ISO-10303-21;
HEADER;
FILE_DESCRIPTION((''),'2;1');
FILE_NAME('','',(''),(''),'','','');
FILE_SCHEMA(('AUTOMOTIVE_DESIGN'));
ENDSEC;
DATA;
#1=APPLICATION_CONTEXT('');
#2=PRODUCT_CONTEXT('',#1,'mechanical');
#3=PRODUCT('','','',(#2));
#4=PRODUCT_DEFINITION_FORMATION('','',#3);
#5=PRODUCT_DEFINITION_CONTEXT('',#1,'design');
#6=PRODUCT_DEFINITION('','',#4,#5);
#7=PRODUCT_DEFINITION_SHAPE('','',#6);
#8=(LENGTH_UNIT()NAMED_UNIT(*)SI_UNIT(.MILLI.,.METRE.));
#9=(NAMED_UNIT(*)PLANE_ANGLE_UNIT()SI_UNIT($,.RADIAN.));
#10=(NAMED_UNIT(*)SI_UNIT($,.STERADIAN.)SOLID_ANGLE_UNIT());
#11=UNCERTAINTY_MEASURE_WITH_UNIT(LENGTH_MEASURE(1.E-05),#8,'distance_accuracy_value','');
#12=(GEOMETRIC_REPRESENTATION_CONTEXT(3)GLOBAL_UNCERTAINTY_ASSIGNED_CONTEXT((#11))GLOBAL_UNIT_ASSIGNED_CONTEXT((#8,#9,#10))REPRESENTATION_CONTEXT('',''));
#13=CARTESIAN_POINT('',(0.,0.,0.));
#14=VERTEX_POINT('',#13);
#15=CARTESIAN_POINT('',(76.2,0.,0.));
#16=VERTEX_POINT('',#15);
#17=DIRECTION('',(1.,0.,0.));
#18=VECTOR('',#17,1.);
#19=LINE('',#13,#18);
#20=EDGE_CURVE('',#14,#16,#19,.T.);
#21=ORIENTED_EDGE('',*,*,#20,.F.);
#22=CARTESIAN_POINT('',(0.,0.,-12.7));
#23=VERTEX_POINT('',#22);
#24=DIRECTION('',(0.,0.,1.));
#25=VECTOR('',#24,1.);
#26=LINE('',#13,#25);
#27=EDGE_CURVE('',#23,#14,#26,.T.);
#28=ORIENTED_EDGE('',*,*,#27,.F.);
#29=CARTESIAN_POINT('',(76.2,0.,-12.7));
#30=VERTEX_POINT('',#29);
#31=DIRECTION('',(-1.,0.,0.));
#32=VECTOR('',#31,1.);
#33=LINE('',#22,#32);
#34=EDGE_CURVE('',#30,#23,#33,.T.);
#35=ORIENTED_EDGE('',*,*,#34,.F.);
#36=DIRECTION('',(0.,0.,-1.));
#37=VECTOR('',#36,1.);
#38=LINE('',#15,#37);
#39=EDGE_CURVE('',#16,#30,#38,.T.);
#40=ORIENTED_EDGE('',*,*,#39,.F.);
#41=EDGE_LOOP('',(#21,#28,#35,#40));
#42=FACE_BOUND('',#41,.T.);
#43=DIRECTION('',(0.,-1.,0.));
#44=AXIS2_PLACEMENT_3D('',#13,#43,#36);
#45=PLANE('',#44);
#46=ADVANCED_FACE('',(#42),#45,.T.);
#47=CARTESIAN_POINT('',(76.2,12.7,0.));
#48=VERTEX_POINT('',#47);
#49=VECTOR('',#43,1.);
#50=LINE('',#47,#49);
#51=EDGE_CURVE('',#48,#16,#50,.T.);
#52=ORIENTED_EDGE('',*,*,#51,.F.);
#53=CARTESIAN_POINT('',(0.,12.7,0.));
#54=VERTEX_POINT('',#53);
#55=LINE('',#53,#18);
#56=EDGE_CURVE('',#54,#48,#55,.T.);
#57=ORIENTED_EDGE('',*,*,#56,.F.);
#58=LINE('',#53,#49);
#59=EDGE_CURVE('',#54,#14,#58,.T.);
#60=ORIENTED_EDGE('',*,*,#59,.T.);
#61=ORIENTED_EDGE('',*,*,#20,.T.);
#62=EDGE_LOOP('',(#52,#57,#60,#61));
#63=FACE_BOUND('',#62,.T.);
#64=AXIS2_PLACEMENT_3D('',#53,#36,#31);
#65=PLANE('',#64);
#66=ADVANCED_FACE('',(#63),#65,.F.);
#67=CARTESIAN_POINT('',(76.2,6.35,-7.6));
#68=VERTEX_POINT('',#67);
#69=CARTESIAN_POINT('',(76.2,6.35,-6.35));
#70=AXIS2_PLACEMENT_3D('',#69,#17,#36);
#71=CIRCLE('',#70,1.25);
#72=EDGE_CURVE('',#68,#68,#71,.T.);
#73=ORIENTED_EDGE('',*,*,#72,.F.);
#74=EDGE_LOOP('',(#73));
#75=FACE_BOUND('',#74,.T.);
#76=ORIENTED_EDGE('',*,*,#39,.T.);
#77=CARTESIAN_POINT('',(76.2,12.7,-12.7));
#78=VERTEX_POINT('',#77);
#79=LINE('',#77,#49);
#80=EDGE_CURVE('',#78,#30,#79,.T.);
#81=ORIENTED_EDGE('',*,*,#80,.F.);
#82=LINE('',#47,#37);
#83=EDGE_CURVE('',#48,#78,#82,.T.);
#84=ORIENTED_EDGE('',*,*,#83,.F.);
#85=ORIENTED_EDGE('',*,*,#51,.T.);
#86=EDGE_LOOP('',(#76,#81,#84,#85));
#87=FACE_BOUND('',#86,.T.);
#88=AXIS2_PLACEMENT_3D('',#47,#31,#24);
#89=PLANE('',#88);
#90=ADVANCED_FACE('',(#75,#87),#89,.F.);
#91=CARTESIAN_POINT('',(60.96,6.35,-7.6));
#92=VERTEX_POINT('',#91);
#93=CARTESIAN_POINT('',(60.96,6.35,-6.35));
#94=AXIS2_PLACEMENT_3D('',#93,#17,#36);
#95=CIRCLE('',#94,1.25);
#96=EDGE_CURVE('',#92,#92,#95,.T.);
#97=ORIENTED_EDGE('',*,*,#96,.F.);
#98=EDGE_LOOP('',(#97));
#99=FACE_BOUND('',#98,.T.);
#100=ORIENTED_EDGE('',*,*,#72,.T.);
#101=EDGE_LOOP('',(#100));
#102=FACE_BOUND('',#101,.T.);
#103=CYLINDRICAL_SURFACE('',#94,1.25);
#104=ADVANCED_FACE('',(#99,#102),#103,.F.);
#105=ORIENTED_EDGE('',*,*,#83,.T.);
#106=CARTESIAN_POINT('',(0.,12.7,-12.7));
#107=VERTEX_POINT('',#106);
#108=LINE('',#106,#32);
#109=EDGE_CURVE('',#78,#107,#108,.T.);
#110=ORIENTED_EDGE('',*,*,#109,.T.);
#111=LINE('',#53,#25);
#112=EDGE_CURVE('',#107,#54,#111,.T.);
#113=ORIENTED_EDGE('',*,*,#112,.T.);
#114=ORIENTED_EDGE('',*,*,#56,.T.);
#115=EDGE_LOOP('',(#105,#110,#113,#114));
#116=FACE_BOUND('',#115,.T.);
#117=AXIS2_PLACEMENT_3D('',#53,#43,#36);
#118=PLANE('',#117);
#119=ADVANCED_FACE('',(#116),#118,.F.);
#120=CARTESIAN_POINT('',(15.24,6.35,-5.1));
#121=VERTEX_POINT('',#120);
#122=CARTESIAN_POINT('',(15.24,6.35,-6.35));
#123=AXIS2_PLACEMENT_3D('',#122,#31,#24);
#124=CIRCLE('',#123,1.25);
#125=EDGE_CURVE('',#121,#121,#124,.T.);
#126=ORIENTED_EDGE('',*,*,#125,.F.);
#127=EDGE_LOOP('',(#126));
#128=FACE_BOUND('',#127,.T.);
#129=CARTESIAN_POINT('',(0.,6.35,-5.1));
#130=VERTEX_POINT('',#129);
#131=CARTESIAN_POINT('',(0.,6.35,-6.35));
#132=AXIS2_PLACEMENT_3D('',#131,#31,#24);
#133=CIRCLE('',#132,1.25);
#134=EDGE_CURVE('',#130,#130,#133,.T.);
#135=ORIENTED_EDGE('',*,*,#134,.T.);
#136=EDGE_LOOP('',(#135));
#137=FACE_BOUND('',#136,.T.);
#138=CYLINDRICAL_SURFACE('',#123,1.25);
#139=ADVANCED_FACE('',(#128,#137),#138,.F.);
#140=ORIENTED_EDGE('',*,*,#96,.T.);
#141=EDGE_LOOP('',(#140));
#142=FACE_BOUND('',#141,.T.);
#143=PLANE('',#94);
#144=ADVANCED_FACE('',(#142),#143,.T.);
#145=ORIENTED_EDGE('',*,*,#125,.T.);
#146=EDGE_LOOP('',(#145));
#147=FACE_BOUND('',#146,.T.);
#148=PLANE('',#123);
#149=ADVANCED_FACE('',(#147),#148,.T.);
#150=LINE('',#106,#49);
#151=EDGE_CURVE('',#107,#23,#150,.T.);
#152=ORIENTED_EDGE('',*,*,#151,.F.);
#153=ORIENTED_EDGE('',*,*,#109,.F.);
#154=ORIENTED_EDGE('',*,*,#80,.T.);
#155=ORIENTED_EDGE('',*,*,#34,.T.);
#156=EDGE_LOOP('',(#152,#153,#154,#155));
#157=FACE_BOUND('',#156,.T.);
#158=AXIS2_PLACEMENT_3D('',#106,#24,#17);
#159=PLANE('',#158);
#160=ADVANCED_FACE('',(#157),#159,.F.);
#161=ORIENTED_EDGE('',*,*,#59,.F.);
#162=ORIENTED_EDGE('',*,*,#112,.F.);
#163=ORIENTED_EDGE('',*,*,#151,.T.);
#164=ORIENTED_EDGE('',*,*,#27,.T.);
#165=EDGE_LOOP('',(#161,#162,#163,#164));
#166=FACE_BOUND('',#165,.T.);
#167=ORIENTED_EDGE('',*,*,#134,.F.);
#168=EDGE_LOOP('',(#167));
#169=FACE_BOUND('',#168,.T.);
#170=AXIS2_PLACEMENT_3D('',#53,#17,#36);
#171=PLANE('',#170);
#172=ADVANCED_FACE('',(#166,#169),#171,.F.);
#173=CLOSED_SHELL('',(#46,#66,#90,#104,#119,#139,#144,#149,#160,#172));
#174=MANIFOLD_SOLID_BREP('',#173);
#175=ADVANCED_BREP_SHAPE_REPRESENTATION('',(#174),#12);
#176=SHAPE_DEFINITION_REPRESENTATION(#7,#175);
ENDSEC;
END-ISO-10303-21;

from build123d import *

# Parameters (mm, degrees)
SKETCH1_W           = 76.2
SKETCH1_H           = 12.7
BOSS_EXTRUDE1_DEPTH = 12.7
SKETCH3_R           = 1.25
CUT_EXTRUDE1_DEPTH  = 15.24
CUT_EXTRUDE2_START  = -15.24
SKETCH2_R           = 1.25
CUT_EXTRUDE2_DEPTH  = 15.24


with BuildPart() as part:
    # Sketch1 → Boss-Extrude1 (new body)
    with BuildSketch(Plane(origin=(0, 0, 0), x_dir=(1, 0, 0), z_dir=(0, 1, 0))):
        with Locations((38.1, 6.35)):
            Rectangle(SKETCH1_W, SKETCH1_H)
    extrude(amount=BOSS_EXTRUDE1_DEPTH)

    # Sketch3 → Cut-Extrude1 (cut)
    with BuildSketch(Plane.ZY):
        with Locations((-6.35, 6.35)):
            Circle(SKETCH3_R)
    extrude(amount=-CUT_EXTRUDE1_DEPTH, mode=Mode.SUBTRACT)

    # Sketch2 → Cut-Extrude2 (cut)
    with BuildSketch(Plane(origin=(76.2, 0, 0), x_dir=(0, 0, -1), z_dir=(1, 0, 0)).offset(CUT_EXTRUDE2_START)):
        with Locations(Location((6.35, 6.35, 0), (0, 0, 180))):
            Circle(SKETCH2_R)
    extrude(amount=CUT_EXTRUDE2_DEPTH, mode=Mode.SUBTRACT)


solid = part.part
